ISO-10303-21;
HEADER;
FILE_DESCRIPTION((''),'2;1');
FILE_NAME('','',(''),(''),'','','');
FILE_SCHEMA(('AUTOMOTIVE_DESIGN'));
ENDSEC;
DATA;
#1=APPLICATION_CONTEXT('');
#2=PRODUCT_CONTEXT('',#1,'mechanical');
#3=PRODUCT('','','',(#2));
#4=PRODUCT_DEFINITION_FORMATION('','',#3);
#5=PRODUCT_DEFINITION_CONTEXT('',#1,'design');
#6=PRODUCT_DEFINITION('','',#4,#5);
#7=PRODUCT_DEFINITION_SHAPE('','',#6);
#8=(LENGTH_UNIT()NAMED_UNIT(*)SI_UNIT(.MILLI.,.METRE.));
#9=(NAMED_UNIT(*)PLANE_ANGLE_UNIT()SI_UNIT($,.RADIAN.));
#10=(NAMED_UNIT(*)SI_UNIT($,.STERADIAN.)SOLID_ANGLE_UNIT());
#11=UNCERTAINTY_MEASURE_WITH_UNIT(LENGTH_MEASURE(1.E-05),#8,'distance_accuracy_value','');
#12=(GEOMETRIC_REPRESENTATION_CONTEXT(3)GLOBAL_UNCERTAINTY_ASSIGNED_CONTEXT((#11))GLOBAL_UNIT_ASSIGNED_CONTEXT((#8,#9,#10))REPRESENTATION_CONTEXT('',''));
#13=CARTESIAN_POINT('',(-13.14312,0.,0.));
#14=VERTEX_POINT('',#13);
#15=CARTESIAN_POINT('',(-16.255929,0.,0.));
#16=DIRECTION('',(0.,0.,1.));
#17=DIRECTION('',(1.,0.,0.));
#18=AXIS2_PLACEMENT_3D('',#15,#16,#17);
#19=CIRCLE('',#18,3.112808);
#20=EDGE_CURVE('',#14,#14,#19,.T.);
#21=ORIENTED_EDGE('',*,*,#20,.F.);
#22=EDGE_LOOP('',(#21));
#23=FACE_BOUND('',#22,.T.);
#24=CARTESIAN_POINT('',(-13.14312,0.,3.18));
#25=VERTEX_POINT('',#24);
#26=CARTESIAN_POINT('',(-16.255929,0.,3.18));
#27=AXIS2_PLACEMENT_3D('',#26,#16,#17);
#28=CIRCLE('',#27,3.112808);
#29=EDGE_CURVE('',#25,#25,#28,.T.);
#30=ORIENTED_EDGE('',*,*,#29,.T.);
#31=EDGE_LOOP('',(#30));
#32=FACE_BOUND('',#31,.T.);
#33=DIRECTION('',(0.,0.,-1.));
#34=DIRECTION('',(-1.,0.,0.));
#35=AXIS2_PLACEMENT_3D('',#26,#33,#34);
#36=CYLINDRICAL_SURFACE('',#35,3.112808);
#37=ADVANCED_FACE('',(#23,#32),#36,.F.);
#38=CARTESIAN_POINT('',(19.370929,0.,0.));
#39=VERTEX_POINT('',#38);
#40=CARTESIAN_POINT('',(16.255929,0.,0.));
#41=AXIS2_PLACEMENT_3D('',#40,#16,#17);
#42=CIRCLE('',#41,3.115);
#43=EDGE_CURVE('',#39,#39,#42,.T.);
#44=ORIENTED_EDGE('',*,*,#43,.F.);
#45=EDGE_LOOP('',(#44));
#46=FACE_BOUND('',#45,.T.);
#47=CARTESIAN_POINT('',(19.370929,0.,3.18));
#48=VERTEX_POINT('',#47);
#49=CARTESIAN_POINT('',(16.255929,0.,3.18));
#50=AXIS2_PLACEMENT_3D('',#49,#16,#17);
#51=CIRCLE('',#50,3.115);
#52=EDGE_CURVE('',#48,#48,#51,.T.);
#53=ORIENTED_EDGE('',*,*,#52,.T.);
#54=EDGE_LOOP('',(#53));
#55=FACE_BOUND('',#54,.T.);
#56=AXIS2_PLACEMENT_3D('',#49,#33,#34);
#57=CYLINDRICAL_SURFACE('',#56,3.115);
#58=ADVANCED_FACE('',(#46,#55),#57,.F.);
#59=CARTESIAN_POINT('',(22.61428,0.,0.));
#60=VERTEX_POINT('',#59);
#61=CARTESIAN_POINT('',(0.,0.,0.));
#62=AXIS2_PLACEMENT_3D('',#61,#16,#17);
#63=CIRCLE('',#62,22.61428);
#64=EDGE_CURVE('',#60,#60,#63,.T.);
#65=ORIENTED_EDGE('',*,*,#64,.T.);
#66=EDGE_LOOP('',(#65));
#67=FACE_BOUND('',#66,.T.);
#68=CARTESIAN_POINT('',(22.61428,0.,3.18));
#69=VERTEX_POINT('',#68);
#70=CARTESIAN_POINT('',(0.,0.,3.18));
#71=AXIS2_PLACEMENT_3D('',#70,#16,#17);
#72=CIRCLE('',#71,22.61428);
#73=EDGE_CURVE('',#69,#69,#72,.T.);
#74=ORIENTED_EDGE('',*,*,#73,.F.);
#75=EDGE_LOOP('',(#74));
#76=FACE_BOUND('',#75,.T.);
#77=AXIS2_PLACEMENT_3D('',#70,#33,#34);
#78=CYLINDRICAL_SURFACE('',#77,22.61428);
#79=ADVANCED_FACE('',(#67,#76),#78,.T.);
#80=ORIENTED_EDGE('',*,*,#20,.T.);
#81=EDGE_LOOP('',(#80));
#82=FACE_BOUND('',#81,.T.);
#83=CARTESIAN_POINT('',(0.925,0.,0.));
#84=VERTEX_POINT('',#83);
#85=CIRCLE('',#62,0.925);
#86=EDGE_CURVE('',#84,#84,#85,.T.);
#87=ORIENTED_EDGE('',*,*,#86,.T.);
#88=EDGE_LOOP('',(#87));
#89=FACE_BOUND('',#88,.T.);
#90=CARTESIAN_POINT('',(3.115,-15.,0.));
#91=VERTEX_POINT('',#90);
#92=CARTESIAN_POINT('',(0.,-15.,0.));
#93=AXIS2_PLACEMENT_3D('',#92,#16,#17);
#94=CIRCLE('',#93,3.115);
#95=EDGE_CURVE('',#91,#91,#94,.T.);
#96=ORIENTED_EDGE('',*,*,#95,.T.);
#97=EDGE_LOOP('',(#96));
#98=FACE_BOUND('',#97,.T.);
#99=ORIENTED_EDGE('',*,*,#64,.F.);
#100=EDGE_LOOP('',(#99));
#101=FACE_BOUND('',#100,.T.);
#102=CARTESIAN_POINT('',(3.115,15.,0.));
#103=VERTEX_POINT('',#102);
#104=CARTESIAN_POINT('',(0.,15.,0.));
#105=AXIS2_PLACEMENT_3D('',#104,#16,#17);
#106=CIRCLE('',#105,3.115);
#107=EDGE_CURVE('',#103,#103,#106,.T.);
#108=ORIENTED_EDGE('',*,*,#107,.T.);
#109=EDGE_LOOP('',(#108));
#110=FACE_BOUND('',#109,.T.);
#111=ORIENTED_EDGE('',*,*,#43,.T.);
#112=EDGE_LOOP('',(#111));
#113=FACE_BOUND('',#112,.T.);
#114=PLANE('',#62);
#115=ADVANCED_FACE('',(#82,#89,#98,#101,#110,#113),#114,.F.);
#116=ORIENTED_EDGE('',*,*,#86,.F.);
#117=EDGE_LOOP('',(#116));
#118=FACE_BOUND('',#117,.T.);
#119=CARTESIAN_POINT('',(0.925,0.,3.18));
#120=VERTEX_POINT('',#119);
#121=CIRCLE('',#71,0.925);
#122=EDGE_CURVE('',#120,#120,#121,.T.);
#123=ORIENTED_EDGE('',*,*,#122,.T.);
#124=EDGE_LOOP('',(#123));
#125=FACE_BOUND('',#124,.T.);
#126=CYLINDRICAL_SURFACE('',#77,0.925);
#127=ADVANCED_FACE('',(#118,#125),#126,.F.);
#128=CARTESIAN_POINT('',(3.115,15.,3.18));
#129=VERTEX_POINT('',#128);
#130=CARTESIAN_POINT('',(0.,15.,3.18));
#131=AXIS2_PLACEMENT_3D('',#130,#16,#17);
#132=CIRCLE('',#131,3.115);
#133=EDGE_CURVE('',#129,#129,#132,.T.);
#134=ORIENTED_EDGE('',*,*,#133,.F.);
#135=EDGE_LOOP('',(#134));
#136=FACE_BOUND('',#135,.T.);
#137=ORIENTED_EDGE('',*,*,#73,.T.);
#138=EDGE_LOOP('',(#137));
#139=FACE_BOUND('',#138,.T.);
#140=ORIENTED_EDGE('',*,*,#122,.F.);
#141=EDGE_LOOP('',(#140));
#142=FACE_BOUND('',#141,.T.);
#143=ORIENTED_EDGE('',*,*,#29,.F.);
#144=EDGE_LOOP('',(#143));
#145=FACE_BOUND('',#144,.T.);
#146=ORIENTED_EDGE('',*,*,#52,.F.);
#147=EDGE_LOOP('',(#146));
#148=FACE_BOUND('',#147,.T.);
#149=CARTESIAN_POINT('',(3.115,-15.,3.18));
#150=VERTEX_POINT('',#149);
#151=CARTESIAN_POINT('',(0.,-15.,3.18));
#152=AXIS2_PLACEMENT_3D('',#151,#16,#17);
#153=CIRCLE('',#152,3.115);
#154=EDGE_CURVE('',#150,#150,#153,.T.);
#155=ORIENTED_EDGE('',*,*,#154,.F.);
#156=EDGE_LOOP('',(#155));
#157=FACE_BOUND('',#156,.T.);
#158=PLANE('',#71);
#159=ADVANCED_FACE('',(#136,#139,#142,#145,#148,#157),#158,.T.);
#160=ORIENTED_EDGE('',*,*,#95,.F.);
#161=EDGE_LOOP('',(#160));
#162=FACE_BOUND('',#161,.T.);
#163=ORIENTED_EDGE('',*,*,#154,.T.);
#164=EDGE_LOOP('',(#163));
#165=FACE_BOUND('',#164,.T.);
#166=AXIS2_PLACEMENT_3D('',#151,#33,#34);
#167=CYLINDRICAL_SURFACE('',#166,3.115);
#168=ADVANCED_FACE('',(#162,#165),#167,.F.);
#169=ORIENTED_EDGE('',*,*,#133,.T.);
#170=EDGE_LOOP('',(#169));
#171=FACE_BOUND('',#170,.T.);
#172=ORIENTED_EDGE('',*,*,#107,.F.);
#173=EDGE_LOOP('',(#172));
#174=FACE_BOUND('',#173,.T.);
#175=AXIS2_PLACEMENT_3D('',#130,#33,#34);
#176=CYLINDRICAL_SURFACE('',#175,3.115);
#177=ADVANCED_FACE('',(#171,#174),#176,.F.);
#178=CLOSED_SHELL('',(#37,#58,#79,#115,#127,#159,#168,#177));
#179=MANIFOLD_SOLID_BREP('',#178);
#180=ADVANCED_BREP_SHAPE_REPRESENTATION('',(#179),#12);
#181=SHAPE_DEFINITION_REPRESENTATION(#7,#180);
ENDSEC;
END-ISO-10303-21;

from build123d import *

# Parameters (mm, degrees)
SKETCH1_R           = 22.614280448
SKETCH1_R_2         = 0.925
SKETCH1_R_3         = 3.112808362
SKETCH1_R_4         = 3.115
BOSS_EXTRUDE5_DEPTH = 3.18


with BuildPart() as part:
    # Sketch1 → Boss-Extrude5 (new body)
    with BuildSketch(Plane.XY):
        Circle(SKETCH1_R)
        Circle(SKETCH1_R_2, mode=Mode.SUBTRACT)
        with Locations((-16.255928567, 0)):
            Circle(SKETCH1_R_3, mode=Mode.SUBTRACT)
        with Locations((0, -15)):
            Circle(SKETCH1_R_4, mode=Mode.SUBTRACT)
        with Locations((16.255928567, 0)):
            Circle(SKETCH1_R_4, mode=Mode.SUBTRACT)
        with Locations((0, 15)):
            Circle(SKETCH1_R_4, mode=Mode.SUBTRACT)
    extrude(amount=BOSS_EXTRUDE5_DEPTH)


solid = part.part
